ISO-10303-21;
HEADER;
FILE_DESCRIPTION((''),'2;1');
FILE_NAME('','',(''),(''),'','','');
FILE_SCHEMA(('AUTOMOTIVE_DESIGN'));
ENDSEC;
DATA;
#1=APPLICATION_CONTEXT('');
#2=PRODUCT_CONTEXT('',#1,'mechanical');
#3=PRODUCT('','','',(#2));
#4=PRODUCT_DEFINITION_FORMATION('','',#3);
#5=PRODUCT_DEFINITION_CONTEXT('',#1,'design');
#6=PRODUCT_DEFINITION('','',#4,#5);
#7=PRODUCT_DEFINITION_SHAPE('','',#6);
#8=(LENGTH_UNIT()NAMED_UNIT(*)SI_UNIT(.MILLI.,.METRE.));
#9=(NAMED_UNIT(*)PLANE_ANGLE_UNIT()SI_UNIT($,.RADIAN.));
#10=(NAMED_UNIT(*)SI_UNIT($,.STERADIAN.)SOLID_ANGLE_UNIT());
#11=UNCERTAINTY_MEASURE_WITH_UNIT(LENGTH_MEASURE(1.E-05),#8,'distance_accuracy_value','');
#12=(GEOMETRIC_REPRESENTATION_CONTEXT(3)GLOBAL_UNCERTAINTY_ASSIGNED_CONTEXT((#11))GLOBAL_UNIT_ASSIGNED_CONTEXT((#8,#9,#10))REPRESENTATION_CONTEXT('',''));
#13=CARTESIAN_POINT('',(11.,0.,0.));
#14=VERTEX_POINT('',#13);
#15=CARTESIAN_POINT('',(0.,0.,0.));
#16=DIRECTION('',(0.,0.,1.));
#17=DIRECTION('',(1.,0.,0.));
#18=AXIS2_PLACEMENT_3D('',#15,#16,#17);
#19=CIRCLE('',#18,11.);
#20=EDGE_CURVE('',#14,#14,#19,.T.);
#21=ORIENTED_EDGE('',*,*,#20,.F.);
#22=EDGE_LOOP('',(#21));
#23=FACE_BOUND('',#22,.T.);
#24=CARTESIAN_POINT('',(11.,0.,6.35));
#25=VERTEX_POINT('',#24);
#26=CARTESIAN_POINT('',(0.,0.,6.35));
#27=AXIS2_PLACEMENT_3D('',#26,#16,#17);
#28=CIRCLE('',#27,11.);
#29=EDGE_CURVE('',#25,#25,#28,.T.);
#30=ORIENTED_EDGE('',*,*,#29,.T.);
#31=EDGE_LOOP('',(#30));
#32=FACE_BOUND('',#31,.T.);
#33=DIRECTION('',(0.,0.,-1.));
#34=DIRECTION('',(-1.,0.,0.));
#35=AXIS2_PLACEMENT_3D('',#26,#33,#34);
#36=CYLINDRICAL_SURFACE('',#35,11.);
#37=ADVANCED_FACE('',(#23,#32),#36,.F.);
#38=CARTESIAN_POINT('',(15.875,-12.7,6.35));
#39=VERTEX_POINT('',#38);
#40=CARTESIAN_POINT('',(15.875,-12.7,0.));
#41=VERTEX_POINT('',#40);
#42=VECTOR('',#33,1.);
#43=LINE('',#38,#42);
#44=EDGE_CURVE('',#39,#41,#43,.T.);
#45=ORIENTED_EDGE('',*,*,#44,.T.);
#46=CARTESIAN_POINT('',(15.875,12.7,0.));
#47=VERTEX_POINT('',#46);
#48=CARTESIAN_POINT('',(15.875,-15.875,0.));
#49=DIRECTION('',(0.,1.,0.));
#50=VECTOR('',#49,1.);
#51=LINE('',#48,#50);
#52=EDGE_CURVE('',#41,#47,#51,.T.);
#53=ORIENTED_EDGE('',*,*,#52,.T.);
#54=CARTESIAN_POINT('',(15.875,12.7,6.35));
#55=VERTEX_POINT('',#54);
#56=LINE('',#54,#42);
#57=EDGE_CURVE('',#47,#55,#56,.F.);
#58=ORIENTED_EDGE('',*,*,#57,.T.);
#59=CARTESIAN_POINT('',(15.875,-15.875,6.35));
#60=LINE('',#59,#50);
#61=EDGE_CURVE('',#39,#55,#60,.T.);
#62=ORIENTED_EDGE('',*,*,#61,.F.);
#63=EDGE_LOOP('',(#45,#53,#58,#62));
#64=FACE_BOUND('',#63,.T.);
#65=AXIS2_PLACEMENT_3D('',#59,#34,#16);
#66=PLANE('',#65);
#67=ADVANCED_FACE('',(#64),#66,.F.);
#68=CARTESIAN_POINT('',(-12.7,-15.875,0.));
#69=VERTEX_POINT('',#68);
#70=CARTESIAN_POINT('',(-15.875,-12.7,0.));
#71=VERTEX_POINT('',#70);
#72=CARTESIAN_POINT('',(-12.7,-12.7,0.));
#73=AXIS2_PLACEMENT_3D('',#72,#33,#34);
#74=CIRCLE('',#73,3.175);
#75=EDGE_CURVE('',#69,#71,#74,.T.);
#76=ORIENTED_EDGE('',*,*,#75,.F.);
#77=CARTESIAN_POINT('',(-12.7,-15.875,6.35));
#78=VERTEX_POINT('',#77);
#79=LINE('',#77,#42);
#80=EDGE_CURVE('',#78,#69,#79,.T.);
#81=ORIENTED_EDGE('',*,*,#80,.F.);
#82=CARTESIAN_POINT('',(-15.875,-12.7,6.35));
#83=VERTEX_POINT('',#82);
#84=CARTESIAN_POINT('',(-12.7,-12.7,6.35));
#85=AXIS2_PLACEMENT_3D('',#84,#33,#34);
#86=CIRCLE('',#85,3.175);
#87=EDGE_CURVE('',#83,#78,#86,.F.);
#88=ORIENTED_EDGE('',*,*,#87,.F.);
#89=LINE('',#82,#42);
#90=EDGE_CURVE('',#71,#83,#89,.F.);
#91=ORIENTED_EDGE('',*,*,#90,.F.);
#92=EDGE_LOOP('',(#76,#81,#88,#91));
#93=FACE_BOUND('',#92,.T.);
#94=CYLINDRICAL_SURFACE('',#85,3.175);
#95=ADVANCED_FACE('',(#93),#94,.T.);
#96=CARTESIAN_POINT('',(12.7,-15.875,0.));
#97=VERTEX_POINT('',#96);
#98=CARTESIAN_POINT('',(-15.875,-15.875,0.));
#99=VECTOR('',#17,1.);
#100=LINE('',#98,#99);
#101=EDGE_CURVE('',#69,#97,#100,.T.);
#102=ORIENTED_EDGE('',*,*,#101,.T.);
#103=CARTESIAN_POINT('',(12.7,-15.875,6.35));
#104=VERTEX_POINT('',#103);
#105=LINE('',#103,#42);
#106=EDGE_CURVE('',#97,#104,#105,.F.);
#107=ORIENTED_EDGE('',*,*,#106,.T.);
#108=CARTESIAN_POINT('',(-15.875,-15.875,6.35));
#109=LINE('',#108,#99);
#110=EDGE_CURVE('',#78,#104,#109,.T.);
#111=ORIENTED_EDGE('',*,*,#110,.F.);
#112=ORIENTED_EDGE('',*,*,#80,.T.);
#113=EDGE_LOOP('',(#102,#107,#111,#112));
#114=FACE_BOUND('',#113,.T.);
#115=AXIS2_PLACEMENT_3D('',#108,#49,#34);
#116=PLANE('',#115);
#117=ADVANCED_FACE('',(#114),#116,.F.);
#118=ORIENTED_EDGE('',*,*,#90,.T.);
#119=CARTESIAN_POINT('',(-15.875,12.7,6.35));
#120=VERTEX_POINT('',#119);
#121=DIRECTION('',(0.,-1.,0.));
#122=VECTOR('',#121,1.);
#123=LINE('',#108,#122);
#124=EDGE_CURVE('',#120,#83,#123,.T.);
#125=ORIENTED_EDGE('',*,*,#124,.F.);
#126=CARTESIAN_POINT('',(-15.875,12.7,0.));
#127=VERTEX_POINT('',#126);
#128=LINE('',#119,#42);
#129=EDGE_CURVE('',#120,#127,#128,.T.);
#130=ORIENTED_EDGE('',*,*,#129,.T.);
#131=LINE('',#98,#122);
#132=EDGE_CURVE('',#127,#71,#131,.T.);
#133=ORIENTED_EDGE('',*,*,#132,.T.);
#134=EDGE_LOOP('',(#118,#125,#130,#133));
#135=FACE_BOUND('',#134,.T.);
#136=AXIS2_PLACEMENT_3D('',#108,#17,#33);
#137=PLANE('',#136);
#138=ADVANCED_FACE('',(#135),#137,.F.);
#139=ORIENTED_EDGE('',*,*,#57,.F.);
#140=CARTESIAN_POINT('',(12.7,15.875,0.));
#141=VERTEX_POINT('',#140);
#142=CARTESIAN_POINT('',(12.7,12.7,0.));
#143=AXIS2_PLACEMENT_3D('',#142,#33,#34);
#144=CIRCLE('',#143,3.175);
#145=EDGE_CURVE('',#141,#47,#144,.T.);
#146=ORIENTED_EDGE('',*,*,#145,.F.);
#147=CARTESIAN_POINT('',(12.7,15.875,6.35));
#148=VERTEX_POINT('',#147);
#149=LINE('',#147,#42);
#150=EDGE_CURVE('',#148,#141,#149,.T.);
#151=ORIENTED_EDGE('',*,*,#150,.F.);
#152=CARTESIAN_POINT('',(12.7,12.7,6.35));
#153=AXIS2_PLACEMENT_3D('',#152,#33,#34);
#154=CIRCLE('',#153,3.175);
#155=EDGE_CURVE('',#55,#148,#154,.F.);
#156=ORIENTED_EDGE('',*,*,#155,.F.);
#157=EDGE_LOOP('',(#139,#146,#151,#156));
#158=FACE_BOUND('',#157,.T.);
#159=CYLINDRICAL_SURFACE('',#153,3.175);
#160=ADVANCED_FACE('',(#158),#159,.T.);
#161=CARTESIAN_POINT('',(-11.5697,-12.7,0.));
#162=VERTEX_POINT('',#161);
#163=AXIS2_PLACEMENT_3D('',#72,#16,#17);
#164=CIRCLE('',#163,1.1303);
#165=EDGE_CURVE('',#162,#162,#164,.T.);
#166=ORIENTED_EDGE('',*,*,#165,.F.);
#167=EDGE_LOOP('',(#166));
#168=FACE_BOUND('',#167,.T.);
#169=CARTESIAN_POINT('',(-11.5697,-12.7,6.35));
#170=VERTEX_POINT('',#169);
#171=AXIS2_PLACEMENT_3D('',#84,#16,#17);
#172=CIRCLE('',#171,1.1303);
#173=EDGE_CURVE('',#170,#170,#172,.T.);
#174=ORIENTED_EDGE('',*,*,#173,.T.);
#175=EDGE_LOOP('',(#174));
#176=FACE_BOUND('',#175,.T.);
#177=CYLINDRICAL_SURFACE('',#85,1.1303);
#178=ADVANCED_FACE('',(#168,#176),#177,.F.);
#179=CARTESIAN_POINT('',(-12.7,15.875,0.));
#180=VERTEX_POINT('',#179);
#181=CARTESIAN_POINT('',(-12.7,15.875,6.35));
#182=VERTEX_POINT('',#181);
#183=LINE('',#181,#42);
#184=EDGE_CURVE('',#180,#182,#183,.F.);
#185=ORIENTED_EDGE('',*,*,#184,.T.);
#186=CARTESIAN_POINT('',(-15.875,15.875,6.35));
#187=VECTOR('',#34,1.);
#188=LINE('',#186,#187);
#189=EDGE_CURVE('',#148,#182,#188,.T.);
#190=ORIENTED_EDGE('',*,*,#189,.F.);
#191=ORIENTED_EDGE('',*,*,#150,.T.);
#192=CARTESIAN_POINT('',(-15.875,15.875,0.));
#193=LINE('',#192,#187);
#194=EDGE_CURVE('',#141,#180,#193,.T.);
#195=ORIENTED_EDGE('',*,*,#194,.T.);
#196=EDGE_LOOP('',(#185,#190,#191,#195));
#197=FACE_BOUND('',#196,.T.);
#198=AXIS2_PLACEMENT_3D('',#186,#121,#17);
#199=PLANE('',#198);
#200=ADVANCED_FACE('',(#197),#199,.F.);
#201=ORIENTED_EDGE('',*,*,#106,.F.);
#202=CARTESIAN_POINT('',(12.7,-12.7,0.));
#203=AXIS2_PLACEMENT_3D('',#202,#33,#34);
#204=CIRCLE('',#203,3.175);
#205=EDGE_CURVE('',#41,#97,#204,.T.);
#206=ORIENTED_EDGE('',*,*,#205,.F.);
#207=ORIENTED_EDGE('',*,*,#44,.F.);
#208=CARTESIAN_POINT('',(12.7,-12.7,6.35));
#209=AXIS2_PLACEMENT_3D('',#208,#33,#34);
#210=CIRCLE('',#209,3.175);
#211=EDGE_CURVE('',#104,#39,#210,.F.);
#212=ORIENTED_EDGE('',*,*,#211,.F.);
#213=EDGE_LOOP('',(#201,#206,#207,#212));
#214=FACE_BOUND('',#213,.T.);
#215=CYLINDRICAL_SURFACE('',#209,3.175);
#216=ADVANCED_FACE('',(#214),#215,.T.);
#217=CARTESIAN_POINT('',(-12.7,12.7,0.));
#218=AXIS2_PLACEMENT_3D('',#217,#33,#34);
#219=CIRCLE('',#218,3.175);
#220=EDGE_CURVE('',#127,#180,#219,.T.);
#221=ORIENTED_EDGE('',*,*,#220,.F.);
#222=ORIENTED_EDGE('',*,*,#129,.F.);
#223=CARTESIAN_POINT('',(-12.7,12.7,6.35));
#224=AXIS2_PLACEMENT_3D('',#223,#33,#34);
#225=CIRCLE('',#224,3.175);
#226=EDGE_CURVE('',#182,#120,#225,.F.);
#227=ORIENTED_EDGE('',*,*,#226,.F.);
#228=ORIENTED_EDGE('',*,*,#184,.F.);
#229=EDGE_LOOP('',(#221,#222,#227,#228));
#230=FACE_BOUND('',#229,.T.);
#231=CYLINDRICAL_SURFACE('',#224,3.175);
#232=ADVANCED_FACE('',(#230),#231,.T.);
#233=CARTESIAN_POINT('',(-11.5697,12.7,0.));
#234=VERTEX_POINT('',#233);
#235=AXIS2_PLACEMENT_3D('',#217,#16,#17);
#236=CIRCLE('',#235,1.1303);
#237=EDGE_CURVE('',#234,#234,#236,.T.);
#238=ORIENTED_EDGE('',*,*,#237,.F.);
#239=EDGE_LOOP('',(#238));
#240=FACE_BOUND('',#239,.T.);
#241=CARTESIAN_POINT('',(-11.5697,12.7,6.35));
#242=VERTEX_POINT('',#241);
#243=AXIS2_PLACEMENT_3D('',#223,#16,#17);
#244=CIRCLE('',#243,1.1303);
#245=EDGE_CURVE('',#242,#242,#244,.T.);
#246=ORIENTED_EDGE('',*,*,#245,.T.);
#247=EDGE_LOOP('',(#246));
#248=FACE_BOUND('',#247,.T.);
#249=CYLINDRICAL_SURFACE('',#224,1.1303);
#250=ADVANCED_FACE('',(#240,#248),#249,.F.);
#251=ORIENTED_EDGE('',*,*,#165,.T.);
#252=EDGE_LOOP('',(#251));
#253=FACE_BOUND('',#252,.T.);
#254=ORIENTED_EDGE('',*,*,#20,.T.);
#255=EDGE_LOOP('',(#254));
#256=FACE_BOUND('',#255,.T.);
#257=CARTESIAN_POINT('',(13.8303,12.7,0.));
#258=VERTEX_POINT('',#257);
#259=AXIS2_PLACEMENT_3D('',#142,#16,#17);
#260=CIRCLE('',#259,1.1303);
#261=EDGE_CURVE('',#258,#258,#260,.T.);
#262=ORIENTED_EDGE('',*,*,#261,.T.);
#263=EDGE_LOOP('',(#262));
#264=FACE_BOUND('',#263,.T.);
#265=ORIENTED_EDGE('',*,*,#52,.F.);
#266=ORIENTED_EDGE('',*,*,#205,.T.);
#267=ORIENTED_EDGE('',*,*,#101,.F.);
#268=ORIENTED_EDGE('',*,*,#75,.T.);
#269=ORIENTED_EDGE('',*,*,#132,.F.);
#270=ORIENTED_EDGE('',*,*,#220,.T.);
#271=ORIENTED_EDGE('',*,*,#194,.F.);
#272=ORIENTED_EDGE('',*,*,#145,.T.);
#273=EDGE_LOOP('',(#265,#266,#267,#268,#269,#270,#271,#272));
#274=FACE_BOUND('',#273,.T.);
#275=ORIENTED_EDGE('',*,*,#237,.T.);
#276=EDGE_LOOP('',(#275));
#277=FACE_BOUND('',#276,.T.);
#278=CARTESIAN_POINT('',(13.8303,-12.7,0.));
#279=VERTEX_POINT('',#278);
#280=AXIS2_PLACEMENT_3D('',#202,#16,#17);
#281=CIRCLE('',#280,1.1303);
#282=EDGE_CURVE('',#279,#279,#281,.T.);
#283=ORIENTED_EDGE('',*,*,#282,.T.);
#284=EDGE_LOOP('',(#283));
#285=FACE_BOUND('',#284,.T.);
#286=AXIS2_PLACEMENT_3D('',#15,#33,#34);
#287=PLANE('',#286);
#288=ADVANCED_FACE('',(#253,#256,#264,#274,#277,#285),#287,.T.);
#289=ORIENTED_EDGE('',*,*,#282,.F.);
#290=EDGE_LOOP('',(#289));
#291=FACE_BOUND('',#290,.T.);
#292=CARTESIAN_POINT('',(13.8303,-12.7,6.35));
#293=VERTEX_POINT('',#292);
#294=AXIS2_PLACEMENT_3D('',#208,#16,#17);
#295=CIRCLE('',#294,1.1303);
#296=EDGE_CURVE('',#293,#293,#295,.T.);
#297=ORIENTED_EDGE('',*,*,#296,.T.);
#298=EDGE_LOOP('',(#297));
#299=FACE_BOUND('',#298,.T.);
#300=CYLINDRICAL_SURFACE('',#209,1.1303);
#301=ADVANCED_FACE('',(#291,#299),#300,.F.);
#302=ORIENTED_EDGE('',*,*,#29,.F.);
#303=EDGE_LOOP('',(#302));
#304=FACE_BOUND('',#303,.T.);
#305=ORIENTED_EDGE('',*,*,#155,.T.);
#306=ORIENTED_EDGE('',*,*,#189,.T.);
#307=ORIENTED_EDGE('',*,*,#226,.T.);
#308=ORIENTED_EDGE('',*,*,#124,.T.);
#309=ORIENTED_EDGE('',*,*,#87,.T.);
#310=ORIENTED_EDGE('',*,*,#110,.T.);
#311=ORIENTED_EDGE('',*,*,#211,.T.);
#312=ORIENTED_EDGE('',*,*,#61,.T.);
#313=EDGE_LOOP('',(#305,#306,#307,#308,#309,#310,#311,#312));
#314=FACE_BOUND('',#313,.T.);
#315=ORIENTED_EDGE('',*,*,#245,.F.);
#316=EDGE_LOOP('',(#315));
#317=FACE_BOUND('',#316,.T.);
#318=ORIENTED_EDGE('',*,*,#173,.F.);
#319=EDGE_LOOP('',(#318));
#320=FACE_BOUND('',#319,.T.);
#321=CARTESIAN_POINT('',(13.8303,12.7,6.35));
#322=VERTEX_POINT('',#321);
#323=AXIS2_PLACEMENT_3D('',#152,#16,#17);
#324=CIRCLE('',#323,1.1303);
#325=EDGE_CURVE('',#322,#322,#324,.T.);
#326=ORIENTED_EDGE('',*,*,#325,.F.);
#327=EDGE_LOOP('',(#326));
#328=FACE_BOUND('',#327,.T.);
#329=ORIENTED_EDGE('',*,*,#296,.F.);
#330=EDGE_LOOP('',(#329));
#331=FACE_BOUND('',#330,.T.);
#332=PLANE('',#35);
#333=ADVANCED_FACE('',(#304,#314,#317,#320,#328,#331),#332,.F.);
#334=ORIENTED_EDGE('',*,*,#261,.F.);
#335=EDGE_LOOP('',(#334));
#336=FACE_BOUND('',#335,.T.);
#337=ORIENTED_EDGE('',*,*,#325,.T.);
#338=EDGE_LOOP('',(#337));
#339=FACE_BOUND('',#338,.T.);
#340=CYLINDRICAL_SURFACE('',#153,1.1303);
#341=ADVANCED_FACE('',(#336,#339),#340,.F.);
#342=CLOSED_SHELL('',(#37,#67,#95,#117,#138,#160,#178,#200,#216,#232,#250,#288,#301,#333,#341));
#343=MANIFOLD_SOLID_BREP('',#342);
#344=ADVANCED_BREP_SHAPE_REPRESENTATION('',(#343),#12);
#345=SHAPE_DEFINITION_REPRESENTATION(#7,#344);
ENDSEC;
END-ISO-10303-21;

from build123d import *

# Parameters (mm, degrees)
SKETCH1_W           = 31.75
SKETCH1_H           = 31.75
SKETCH1_R           = 11
SKETCH1_R_2         = 1.1303
BOSS_EXTRUDE1_DEPTH = 6.35
FILLET1_R           = 3.175


with BuildPart() as part:
    # Sketch1 → Boss-Extrude1 (new body)
    with BuildSketch(Plane.XY):
        Rectangle(SKETCH1_W, SKETCH1_H)
        Circle(SKETCH1_R, mode=Mode.SUBTRACT)
        with Locations((-12.7, 12.7)):
            Circle(SKETCH1_R_2, mode=Mode.SUBTRACT)
        with Locations((-12.7, -12.7)):
            Circle(SKETCH1_R_2, mode=Mode.SUBTRACT)
        with Locations((12.7, -12.7)):
            Circle(SKETCH1_R_2, mode=Mode.SUBTRACT)
        with Locations((12.7, 12.7)):
            Circle(SKETCH1_R_2, mode=Mode.SUBTRACT)
    extrude(amount=BOSS_EXTRUDE1_DEPTH)

    # Fillet1
    fillet1_edges = [part.edges().sort_by_distance(p)[0] for p in [
        (-15.875, 15.875, 3.175),
        (15.875, 15.875, 3.175),
        (15.875, -15.875, 3.175),
        (-15.875, -15.875, 3.175),
    ]]
    fillet(fillet1_edges, radius=FILLET1_R)


solid = part.part
